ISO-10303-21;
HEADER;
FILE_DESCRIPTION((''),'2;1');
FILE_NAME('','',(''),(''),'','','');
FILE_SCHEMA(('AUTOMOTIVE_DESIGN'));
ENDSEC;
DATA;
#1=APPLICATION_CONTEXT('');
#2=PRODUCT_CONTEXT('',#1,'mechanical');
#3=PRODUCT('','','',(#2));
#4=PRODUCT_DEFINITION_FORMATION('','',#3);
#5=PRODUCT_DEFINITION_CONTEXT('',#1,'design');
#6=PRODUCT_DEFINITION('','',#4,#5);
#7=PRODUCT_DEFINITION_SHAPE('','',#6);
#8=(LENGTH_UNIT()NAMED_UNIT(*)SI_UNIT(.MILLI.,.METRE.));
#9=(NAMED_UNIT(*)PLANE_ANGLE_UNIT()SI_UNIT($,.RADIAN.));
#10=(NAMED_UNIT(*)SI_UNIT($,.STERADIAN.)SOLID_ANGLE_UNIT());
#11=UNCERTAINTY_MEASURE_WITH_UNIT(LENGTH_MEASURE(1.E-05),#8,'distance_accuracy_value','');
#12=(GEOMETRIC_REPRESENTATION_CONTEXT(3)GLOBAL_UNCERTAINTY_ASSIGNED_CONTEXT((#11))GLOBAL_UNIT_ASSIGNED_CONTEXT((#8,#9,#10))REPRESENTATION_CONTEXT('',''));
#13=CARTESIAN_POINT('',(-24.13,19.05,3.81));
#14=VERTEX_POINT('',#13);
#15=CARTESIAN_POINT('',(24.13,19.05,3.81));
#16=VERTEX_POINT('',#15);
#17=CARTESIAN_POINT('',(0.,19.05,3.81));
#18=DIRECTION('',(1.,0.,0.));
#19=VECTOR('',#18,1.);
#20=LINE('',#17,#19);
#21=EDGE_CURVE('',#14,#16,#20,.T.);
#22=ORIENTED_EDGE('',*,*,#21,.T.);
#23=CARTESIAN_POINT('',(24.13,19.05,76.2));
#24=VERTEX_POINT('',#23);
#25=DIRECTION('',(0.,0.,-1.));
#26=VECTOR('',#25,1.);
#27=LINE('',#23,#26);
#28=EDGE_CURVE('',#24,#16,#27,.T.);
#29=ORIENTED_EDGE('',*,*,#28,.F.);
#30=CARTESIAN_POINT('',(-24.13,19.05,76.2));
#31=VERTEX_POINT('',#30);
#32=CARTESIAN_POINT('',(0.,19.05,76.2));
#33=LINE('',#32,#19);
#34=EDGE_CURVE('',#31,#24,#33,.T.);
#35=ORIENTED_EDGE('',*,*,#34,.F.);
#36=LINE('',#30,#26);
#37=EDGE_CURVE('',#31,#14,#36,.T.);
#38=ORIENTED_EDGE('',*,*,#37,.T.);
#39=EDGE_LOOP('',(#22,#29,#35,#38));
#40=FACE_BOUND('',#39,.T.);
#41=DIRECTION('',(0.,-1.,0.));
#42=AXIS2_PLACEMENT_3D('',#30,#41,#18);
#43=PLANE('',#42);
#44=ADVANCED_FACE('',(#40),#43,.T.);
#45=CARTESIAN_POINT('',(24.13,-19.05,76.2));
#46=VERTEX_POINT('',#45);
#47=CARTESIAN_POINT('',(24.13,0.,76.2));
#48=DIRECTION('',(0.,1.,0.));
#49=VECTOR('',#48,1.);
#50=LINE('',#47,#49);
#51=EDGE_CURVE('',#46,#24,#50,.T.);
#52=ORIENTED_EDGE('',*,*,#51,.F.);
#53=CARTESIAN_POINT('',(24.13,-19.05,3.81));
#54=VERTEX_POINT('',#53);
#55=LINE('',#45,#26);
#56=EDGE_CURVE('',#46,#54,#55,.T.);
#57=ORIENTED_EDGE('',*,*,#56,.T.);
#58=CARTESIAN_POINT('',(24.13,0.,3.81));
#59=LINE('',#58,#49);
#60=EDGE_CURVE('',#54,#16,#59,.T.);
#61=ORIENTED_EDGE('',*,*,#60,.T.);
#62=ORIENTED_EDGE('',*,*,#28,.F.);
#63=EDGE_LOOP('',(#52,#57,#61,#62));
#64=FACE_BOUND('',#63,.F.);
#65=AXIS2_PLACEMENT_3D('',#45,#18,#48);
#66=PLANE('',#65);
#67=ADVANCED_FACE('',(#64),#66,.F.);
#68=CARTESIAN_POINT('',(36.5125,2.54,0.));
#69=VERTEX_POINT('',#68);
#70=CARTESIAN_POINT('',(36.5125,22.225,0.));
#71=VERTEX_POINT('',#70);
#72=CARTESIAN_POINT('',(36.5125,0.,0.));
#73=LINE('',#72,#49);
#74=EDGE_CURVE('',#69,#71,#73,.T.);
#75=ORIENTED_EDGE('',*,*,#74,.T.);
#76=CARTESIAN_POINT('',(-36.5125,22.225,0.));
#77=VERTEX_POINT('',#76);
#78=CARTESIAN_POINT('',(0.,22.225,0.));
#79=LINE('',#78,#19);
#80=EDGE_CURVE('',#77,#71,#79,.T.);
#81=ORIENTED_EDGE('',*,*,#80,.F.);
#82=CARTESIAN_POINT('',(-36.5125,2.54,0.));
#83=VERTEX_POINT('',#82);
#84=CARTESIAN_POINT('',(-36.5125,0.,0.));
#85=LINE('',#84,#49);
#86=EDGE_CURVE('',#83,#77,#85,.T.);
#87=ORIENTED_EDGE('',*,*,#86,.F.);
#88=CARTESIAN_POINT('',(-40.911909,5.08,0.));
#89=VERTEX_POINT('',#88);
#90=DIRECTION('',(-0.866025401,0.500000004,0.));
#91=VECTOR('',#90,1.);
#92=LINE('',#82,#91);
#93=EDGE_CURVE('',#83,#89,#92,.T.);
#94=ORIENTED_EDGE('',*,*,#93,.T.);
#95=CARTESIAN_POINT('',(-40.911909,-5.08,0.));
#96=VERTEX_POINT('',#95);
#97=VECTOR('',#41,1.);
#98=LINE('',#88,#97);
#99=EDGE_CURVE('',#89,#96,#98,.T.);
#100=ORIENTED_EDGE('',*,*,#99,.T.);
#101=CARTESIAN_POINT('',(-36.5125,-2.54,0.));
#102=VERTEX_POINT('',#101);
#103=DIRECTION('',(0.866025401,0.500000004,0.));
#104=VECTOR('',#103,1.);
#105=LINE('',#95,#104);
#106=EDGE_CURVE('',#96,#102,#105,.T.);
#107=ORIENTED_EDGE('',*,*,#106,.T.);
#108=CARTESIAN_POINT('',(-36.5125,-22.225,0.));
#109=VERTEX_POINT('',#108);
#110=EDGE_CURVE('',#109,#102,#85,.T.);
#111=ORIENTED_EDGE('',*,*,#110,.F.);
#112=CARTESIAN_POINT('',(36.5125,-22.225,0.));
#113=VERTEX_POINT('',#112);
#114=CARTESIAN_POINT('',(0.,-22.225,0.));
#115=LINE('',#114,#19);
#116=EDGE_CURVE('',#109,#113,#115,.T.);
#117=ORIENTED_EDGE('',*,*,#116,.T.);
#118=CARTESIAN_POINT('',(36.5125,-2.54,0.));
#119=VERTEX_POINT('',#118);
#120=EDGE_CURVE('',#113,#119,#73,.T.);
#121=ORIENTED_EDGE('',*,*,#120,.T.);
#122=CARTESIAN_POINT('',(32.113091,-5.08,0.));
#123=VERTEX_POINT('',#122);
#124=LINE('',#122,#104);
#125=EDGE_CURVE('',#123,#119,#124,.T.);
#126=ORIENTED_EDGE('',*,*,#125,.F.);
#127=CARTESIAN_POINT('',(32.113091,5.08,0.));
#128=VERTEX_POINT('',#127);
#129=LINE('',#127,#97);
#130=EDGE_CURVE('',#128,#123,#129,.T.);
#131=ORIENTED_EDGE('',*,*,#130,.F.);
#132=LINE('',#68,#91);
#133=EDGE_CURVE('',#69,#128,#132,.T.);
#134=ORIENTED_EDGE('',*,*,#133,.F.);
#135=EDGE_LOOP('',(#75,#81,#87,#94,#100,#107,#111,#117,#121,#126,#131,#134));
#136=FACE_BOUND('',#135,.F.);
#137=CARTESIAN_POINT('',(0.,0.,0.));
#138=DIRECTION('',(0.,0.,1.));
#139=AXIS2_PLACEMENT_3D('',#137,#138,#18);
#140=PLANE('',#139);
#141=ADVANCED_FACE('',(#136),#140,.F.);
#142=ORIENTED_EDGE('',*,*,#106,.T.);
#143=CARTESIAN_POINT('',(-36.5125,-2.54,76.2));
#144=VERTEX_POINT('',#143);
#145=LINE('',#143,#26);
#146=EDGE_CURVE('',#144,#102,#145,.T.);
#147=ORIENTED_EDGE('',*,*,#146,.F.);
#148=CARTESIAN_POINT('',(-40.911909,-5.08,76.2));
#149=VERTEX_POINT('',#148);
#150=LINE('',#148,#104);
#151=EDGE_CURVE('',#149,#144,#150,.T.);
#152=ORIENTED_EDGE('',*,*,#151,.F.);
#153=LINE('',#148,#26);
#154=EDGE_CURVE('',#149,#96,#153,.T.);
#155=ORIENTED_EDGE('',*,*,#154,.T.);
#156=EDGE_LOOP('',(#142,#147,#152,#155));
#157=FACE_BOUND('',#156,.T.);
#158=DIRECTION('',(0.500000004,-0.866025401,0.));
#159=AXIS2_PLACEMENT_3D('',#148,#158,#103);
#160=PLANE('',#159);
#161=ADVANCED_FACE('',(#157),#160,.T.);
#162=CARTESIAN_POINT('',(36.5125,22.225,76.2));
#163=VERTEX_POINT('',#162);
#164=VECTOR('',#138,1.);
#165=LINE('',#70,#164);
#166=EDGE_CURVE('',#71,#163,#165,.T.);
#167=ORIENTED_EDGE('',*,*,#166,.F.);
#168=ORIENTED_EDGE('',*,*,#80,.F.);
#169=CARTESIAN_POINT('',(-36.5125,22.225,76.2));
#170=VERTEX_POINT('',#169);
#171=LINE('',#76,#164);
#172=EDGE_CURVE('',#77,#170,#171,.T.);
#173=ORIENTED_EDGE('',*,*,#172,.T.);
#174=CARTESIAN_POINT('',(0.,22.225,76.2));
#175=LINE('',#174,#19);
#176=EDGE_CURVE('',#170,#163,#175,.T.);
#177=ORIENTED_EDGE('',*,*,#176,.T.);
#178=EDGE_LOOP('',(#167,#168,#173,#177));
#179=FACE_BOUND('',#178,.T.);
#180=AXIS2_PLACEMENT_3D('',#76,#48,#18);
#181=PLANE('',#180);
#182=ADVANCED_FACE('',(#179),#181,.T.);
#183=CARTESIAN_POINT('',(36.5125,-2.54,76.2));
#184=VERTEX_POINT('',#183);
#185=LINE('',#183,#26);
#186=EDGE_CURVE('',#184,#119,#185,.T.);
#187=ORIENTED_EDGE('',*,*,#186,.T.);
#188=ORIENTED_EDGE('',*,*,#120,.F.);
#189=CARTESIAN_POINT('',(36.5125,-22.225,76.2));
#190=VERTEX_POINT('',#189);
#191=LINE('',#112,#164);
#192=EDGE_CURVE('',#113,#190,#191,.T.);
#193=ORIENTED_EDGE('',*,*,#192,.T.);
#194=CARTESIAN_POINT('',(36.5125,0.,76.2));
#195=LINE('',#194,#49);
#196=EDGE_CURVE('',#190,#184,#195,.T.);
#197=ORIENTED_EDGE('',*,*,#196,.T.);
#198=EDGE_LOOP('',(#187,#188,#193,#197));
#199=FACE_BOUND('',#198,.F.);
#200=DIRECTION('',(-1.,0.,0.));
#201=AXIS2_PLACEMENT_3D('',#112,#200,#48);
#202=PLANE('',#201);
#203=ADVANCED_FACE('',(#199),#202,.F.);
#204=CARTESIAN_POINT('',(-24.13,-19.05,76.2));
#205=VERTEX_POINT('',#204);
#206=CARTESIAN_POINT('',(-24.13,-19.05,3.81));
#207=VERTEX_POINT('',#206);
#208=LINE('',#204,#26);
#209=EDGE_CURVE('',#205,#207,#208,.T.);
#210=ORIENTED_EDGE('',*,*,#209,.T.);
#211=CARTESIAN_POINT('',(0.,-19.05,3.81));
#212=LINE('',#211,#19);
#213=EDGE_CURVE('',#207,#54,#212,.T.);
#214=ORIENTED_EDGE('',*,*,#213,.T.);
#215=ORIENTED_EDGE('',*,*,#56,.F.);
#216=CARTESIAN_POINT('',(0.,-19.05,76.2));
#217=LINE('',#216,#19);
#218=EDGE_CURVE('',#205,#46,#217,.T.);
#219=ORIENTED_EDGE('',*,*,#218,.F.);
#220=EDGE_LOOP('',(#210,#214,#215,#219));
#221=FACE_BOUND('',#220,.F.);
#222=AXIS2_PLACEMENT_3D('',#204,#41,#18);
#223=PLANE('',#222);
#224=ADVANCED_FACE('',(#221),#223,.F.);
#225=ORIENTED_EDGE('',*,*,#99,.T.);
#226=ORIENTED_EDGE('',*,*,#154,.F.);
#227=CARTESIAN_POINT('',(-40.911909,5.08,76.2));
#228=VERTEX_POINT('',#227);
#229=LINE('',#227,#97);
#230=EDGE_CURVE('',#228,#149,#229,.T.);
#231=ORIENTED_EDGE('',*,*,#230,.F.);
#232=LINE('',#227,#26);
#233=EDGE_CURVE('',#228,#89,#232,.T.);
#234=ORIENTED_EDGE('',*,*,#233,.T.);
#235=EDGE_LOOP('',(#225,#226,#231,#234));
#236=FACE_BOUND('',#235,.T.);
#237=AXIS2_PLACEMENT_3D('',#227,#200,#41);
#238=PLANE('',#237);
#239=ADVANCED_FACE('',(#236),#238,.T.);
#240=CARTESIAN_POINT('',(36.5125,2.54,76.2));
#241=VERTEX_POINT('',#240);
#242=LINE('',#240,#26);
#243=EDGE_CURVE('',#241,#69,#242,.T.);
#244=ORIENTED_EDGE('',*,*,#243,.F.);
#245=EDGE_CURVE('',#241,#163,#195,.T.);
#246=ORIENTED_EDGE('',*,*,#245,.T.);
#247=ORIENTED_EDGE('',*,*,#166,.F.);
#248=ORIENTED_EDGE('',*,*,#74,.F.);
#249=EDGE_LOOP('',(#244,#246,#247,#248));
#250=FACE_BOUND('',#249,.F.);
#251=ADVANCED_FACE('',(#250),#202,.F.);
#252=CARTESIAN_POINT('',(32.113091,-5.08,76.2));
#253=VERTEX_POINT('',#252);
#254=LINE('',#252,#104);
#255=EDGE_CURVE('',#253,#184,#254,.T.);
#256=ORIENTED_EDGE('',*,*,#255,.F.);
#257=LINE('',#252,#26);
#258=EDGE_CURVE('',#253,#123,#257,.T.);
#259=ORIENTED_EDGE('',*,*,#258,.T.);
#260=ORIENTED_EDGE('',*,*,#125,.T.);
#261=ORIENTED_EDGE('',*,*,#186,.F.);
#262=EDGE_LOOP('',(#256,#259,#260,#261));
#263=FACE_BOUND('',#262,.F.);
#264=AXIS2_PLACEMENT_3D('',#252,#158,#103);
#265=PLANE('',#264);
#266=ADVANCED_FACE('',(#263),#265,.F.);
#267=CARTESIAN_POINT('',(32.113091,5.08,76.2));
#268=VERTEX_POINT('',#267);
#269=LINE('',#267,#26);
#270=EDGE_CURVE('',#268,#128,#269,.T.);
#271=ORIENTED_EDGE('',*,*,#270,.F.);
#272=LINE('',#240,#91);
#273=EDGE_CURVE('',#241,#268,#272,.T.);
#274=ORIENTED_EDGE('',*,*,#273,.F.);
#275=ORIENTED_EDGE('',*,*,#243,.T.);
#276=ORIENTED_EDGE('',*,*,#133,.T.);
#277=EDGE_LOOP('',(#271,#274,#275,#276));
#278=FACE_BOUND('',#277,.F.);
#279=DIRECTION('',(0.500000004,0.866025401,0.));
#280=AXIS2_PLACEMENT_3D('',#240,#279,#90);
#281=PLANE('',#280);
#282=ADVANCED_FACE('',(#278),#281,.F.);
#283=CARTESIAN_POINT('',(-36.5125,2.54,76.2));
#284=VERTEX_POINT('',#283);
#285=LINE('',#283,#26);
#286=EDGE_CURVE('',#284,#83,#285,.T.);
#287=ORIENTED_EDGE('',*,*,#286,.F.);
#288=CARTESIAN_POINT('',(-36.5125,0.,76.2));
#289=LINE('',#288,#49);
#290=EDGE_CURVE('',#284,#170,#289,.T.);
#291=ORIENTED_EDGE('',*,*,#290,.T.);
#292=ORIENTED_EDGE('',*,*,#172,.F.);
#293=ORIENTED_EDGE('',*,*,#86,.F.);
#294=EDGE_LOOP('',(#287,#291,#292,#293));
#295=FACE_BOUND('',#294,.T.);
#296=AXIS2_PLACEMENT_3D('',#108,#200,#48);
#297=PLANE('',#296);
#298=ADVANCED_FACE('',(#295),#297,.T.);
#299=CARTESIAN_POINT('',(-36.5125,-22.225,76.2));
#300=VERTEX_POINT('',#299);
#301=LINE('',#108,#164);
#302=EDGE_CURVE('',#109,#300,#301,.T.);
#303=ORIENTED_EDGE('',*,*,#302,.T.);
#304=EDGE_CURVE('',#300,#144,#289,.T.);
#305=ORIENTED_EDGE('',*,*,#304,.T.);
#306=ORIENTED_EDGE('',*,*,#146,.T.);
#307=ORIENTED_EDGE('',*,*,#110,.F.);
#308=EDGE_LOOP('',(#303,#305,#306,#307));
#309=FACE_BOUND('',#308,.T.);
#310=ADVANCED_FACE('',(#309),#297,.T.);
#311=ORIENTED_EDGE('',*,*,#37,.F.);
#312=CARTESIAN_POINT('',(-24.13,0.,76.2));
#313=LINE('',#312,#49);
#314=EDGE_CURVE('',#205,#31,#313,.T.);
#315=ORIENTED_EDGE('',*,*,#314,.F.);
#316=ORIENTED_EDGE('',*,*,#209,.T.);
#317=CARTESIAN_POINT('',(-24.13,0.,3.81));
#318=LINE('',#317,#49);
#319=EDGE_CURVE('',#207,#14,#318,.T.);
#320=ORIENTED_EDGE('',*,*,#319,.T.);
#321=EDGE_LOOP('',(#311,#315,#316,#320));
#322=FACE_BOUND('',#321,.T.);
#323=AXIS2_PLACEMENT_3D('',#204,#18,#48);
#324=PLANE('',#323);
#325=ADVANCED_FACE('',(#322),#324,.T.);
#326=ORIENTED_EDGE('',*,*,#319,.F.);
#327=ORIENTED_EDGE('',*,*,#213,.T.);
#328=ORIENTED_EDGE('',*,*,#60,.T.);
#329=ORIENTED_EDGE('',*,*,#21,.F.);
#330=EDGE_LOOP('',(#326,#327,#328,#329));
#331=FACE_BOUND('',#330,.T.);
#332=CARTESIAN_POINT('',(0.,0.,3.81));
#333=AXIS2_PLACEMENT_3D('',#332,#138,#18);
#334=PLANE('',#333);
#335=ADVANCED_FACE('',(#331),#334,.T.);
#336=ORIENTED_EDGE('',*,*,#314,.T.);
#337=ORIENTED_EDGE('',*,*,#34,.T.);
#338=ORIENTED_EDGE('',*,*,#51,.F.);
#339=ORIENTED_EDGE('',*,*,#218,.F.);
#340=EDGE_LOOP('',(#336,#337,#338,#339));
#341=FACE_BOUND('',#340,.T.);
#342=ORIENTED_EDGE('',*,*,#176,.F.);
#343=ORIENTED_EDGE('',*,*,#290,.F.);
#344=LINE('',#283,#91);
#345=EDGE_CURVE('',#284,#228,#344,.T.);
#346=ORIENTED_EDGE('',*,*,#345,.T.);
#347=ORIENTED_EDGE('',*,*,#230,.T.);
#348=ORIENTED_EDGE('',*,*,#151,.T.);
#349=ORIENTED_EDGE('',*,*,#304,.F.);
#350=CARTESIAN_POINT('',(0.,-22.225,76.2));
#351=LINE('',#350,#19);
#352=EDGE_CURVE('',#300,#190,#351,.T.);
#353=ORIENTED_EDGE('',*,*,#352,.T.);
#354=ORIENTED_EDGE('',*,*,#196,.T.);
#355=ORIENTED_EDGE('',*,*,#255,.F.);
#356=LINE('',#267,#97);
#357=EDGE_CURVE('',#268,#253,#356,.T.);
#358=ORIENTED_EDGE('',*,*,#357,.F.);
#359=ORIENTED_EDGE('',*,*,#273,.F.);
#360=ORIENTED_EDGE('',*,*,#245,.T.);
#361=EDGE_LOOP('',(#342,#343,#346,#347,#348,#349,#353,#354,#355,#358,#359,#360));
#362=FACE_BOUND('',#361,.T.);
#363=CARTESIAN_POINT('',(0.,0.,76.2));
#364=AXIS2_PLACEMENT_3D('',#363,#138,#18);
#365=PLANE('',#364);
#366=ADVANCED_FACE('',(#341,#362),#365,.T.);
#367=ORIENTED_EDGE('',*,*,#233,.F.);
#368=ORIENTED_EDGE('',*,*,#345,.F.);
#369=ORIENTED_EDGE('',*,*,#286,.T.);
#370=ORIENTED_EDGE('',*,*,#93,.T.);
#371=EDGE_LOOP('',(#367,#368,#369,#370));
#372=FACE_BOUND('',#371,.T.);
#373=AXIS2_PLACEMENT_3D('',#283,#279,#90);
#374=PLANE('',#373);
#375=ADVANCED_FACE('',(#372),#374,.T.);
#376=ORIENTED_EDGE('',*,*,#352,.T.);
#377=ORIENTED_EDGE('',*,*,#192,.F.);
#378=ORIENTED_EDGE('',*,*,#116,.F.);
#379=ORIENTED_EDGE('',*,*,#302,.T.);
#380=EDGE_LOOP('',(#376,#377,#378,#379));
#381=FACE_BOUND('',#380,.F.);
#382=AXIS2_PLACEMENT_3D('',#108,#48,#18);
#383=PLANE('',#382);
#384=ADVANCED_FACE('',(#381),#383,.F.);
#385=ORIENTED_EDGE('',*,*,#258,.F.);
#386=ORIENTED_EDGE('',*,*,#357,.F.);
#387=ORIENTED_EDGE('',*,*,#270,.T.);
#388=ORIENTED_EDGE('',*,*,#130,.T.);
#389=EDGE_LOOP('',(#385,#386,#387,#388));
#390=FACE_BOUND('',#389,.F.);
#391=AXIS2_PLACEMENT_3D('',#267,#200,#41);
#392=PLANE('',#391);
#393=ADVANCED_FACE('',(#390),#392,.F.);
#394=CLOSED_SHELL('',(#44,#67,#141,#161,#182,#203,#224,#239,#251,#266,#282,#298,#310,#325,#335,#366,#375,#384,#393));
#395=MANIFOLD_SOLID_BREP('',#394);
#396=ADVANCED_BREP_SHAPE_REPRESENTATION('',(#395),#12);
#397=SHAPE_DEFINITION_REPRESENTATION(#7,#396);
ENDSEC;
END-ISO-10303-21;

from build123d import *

# Parameters (mm, degrees)
F0_W     = 73.025
F0_H     = 44.45
F1_DEPTH = 76.2
F2_W     = 48.26
F2_H     = 38.1
F3_DEPTH = 72.39
F5_DEPTH = 76.2
F6_DEPTH = 76.2


with BuildPart() as f1:
    # F0 (on Top) → F1 (new body)
    with BuildSketch(Plane.XY):
        Rectangle(F0_W, F0_H)
    extrude(amount=F1_DEPTH)

    # F2 (on face) → F3 (cut)
    with BuildSketch(Plane.XY.offset(76.2)):
        Rectangle(F2_W, F2_H)
    extrude(amount=-F3_DEPTH, mode=Mode.SUBTRACT)

    # F4 (on face) → F5 (cut)
    with BuildSketch(Plane.XY.offset(76.2)):
        Polygon((36.5125, -2.54), (36.5125, 0), (36.5125, 2.54), (32.113091, 5.08), (32.113091, -5.08), align=None)
    extrude(amount=-F5_DEPTH, mode=Mode.SUBTRACT)

    # F4 (on face) → F6 (join)
    with BuildSketch(Plane.XY.offset(76.2)):
        Polygon((-36.5125, 0), (-36.5125, 2.54), (-40.911909, 5.08), (-40.911909, -5.08), (-36.5125, -2.54), align=None)
    extrude(amount=-F6_DEPTH)


solid = f1.part
